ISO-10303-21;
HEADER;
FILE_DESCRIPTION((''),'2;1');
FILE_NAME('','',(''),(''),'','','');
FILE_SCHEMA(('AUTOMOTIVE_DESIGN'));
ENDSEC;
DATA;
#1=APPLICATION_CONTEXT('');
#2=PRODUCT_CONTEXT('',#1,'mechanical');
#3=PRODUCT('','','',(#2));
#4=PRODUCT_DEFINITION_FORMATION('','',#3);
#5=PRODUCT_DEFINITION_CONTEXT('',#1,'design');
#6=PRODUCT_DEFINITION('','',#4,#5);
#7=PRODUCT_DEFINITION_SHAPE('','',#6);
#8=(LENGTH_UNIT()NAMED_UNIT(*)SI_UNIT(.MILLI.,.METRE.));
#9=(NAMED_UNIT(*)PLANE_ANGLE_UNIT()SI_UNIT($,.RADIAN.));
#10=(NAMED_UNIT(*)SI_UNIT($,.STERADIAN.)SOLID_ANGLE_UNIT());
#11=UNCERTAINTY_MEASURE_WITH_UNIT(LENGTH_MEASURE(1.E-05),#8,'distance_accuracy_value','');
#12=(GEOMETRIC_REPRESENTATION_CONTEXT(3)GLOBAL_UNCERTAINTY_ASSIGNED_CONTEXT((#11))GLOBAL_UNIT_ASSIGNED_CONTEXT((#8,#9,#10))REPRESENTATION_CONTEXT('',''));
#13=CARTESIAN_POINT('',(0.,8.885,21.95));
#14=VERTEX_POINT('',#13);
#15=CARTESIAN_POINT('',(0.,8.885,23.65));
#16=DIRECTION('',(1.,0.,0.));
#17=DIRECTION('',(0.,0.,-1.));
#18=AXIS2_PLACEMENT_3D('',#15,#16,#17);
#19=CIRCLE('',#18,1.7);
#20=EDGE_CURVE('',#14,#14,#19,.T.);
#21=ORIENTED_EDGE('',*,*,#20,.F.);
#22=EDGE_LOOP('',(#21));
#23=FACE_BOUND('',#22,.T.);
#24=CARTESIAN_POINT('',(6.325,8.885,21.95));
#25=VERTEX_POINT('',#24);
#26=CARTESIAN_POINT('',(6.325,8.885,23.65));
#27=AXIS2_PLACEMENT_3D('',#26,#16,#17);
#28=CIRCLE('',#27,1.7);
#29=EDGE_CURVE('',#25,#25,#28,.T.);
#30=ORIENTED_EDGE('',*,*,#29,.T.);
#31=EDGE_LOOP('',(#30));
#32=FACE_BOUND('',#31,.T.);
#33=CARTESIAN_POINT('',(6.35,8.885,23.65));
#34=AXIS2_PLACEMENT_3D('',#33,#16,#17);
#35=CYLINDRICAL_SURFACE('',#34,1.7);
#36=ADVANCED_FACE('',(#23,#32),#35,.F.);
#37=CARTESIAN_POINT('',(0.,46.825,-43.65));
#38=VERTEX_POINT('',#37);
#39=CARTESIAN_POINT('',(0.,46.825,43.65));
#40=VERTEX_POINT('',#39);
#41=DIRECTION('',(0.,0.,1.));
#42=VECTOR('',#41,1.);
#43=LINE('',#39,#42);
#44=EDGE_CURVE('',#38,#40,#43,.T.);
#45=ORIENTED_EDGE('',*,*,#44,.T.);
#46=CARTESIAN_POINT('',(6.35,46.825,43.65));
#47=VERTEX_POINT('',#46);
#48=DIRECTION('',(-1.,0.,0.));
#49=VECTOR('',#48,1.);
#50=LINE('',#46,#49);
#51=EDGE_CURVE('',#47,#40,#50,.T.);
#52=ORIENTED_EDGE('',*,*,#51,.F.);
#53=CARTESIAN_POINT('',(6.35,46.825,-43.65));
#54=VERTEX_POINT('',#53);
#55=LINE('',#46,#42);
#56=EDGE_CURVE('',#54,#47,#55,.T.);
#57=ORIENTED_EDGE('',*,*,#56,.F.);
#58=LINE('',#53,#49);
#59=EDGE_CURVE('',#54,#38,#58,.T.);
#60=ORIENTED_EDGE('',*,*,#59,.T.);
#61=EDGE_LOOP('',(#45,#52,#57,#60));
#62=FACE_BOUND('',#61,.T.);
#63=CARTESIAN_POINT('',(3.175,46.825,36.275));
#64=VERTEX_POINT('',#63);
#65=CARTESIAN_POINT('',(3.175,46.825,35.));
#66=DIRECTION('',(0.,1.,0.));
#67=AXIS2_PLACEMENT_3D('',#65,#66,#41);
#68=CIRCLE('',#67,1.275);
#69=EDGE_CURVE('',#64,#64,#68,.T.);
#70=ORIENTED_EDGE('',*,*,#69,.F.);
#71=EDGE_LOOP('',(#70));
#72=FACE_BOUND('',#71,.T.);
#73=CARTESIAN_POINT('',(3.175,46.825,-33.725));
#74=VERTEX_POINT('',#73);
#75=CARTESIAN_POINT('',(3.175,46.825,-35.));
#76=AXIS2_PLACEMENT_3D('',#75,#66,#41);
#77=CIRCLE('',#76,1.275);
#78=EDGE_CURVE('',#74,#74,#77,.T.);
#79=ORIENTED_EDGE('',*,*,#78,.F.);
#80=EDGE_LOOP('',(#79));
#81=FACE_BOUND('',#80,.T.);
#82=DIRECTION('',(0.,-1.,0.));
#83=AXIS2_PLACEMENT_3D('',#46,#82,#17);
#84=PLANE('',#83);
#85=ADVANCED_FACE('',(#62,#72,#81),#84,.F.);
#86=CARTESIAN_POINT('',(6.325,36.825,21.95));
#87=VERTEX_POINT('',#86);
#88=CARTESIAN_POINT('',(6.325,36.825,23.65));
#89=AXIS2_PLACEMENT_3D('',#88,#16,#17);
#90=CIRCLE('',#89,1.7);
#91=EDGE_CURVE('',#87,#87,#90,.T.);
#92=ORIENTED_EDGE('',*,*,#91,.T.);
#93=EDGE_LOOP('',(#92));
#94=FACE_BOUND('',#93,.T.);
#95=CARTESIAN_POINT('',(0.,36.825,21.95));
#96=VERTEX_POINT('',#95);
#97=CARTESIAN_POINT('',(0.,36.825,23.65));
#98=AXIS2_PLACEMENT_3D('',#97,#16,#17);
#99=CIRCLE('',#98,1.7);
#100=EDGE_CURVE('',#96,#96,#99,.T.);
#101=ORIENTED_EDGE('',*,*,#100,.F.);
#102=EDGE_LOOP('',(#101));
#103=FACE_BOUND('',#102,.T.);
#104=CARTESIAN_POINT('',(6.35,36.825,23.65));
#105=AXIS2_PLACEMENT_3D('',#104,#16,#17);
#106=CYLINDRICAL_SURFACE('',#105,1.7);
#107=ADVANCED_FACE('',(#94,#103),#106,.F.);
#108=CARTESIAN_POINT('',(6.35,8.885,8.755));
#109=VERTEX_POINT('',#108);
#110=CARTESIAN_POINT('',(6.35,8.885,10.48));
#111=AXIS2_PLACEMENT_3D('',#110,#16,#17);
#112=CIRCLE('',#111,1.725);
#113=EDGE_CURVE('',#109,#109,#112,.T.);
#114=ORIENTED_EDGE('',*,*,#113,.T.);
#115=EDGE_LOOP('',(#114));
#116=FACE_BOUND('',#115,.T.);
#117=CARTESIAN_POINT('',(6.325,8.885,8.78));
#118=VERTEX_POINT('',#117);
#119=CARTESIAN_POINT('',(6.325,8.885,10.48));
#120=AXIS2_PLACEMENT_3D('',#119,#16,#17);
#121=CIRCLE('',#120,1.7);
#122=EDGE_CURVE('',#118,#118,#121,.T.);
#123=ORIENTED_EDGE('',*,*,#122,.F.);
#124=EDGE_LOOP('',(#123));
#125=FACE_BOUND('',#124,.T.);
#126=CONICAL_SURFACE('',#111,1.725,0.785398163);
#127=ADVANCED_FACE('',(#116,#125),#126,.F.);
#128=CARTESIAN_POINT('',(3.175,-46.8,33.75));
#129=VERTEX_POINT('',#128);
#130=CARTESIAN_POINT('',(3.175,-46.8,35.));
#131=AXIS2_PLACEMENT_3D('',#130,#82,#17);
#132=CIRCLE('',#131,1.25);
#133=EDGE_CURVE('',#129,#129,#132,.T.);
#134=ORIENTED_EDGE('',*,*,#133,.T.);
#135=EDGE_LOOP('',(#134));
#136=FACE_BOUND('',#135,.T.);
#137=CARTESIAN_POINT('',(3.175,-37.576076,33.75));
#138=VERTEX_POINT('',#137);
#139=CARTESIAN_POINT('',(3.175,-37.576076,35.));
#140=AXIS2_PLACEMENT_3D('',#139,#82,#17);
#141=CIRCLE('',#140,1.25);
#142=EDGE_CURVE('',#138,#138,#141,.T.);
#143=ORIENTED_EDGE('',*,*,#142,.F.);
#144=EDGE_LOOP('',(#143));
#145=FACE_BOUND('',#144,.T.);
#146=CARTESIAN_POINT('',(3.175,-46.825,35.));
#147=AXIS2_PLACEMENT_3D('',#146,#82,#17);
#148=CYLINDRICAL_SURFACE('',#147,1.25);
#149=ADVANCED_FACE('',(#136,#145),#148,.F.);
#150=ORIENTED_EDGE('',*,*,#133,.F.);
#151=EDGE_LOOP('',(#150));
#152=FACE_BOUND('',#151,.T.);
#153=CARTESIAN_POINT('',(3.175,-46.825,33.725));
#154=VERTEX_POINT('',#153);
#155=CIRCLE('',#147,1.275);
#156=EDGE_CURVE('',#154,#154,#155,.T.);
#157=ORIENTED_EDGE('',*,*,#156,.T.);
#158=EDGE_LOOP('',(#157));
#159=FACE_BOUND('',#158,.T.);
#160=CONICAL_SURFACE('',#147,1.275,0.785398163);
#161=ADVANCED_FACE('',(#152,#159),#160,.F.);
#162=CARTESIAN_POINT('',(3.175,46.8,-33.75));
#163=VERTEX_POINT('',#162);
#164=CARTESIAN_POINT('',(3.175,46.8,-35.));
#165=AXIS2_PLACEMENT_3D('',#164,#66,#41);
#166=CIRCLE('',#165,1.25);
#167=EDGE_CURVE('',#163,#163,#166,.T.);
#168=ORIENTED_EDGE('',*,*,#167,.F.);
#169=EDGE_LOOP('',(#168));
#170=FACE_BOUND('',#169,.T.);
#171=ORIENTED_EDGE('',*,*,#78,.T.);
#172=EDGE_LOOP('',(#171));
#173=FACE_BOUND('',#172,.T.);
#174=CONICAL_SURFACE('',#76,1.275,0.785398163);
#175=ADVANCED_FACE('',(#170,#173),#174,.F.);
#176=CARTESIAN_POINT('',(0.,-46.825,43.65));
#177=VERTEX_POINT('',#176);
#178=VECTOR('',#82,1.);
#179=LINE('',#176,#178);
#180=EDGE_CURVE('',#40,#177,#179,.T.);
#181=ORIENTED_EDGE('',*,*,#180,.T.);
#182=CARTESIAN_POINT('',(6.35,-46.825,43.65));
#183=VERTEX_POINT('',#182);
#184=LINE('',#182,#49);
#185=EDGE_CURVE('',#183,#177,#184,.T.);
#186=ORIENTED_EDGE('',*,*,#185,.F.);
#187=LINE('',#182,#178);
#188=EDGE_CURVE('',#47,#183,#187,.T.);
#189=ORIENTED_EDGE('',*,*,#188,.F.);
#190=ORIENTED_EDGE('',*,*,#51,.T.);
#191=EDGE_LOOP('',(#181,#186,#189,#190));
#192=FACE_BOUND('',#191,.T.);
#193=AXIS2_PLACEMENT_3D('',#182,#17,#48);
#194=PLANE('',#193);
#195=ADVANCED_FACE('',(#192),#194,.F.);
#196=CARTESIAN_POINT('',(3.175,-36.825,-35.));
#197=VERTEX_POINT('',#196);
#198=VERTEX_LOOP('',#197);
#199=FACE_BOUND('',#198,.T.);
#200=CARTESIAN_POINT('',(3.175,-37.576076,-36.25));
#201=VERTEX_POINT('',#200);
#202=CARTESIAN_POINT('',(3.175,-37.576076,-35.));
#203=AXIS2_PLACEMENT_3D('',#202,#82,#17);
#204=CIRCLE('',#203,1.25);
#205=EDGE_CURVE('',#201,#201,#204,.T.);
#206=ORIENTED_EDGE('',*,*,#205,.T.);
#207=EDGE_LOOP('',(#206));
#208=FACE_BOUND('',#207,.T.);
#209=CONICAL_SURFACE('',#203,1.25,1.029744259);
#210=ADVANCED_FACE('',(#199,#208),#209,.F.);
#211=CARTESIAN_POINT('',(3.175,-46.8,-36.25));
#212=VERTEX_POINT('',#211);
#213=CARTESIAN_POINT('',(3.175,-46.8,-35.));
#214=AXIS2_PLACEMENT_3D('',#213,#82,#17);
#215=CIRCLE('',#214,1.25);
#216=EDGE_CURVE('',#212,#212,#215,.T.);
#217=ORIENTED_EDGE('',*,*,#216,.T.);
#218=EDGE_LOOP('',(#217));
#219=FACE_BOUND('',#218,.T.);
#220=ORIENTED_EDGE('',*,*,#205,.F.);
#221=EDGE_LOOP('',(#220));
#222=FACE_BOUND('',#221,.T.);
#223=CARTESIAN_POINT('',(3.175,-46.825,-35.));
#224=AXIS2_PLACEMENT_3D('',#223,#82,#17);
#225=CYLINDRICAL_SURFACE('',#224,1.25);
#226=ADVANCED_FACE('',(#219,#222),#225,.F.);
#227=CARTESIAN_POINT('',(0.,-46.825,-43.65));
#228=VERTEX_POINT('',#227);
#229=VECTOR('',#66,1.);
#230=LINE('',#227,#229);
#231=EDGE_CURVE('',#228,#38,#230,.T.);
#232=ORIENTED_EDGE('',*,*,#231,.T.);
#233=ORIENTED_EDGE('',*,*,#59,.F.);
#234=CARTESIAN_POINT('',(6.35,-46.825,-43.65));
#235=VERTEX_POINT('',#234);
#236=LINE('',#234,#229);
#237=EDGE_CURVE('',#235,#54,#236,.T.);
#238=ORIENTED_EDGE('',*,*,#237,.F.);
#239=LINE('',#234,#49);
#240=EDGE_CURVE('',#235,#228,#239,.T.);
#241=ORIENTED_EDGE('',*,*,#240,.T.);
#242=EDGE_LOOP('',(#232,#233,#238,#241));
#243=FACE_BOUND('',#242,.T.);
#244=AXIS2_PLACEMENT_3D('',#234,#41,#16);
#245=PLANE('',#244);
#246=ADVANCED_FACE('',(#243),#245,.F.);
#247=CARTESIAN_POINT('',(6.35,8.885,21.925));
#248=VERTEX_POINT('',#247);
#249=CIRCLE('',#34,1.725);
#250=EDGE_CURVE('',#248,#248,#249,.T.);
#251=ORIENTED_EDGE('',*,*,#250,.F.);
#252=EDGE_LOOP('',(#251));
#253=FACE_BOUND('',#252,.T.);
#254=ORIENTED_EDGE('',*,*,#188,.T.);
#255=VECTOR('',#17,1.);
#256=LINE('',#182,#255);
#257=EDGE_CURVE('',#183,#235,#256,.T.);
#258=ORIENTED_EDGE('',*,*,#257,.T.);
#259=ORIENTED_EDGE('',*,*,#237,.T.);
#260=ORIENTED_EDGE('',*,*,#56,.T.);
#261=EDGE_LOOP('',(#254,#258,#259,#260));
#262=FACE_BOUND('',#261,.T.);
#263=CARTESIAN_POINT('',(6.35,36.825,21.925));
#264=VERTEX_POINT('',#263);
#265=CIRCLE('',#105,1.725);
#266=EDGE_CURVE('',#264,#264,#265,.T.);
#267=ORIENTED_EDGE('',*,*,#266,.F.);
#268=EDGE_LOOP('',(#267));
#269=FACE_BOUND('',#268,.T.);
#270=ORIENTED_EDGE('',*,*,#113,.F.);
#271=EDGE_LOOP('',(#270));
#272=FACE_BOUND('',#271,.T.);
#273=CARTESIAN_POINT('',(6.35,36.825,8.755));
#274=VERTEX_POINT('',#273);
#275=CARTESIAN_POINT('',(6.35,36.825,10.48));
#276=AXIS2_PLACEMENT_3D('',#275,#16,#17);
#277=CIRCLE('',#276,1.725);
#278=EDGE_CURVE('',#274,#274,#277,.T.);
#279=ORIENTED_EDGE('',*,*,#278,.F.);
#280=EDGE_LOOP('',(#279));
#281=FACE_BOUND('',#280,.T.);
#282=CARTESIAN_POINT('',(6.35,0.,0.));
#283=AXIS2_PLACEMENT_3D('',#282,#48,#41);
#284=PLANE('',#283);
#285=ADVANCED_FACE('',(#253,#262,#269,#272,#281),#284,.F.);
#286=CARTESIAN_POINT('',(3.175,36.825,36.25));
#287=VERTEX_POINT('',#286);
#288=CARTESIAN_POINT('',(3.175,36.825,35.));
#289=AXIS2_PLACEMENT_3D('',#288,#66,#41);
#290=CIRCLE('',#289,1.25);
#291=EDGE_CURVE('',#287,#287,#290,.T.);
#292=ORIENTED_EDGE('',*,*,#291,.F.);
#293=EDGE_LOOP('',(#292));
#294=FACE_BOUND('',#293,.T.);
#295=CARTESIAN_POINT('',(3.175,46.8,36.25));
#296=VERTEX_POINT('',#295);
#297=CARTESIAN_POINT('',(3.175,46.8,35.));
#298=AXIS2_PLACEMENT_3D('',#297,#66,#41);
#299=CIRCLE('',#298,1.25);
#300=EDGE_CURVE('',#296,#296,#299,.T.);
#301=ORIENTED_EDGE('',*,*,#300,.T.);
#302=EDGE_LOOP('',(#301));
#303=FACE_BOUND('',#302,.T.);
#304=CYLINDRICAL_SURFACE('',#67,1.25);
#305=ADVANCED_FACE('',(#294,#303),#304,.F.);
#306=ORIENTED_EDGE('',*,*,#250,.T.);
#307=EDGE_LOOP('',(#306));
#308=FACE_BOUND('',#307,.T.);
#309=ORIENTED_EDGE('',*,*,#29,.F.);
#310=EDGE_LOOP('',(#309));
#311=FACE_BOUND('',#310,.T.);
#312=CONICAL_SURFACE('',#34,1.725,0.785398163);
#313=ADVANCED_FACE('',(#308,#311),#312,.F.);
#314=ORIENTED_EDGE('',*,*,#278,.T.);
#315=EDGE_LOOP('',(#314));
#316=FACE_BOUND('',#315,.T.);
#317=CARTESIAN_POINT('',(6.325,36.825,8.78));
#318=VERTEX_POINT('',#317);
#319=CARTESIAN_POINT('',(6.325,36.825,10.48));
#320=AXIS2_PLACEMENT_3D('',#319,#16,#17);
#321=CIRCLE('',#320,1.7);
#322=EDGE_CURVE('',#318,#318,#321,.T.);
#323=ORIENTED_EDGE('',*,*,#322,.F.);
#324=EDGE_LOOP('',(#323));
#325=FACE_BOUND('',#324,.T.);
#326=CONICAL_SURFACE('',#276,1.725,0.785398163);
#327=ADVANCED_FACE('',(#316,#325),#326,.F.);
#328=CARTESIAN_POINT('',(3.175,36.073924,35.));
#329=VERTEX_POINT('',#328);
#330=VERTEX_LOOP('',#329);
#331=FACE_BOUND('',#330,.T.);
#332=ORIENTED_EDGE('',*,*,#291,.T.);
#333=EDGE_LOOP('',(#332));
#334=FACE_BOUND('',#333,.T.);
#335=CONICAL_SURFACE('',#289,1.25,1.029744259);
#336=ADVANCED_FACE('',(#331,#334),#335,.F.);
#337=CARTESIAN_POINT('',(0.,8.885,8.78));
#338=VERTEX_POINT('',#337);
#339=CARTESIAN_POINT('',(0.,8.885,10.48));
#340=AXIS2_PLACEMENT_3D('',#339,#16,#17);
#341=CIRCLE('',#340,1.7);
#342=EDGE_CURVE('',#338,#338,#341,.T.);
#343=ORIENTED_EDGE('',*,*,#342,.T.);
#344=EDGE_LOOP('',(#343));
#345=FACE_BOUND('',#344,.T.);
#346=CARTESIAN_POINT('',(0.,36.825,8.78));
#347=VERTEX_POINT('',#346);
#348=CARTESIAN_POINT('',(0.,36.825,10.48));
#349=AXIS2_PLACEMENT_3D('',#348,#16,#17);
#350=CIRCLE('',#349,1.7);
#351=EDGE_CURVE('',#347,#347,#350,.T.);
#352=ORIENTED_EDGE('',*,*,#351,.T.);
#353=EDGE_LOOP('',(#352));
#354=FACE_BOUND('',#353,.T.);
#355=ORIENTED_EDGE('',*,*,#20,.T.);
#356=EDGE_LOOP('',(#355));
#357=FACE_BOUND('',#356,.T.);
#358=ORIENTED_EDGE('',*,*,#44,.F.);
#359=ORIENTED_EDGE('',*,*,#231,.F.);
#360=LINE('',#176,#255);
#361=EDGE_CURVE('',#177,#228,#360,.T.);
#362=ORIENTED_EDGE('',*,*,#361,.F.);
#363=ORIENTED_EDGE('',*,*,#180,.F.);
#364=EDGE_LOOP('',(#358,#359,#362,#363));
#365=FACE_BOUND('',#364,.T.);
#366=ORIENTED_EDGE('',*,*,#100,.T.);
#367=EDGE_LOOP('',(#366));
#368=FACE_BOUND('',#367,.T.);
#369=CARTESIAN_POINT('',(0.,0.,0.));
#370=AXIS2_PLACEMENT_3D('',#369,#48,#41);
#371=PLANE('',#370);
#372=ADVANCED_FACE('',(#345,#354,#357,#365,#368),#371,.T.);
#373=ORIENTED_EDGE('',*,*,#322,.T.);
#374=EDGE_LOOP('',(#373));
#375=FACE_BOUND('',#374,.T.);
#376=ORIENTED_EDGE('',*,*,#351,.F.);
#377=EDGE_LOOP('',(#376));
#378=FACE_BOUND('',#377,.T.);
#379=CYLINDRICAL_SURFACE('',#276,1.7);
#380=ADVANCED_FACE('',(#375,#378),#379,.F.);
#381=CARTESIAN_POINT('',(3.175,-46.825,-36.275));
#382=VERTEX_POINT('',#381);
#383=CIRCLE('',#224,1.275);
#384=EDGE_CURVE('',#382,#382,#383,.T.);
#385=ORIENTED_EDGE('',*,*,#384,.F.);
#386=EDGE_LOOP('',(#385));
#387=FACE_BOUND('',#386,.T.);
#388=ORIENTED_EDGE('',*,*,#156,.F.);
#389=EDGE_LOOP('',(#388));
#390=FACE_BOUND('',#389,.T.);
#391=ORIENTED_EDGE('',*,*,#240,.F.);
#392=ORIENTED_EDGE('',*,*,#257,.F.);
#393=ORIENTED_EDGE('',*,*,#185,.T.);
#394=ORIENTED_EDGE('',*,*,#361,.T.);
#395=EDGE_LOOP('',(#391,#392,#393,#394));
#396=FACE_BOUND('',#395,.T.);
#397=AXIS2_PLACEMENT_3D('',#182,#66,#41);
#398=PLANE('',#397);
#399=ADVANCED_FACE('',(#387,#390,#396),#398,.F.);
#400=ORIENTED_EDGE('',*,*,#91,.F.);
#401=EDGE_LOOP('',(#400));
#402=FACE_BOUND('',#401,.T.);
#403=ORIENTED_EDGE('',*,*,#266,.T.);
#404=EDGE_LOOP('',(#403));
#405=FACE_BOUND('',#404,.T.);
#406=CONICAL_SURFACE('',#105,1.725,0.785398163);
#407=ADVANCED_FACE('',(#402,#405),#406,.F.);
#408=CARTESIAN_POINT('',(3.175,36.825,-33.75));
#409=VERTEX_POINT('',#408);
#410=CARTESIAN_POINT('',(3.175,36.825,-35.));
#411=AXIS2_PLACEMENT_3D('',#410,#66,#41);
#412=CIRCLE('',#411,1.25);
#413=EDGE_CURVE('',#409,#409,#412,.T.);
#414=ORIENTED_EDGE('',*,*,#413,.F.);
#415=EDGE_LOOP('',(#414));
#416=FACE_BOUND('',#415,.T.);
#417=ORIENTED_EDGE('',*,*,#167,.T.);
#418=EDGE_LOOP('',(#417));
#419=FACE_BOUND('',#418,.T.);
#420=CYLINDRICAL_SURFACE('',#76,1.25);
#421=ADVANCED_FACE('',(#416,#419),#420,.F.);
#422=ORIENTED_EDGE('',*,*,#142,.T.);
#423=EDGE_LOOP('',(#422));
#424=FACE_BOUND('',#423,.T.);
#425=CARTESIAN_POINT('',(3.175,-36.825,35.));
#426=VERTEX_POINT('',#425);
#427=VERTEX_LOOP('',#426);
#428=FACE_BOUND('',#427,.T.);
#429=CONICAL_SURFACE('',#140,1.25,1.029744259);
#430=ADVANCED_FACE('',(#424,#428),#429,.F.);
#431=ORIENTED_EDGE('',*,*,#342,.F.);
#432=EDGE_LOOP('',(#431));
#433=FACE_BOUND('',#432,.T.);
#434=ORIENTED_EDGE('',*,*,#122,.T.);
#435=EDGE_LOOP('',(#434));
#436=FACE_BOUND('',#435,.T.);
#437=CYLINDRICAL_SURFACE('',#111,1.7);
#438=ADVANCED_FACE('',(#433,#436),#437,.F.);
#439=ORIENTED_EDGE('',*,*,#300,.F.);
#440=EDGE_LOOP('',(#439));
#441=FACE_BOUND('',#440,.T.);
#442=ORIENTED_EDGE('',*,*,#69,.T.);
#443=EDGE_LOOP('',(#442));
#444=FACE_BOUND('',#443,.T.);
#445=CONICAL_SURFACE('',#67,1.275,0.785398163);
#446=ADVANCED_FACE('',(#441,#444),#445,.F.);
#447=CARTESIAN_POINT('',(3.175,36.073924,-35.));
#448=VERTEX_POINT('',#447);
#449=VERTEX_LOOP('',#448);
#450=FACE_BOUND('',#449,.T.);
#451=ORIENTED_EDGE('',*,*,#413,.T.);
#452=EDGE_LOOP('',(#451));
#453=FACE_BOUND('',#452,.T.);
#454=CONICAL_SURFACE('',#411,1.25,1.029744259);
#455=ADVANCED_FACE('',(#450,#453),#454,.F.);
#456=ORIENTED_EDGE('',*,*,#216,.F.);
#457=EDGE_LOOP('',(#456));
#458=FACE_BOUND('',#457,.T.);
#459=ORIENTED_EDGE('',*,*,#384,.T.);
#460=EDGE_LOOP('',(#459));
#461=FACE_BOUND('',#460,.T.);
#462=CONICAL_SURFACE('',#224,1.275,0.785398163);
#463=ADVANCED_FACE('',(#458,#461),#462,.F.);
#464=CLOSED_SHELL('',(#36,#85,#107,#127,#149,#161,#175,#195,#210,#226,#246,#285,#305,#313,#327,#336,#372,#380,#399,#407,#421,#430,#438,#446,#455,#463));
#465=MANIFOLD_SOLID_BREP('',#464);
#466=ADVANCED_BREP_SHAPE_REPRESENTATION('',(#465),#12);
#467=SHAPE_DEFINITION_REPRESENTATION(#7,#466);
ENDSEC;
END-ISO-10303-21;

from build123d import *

# Parameters (mm, degrees)
SKETCH1_W                             = 87.3
SKETCH1_H                             = 93.65
BOSS_EXTRUDE1_DEPTH                   = 6.35
TAP_DRILL_FOR_M3X0_5_TAP1_D           = 2.5
TAP_DRILL_FOR_M3X0_5_TAP1_DEPTH       = 10
TAP_DRILL_FOR_M3X0_5_TAP1_CSINK_D     = 2.55
TAP_DRILL_FOR_M3X0_5_TAP1_CSINK_ANGLE = 90
TAP_DRILL_FOR_M3X0_5_TAP1_TIP         = 0.751075774
TAP_DRILL_FOR_M3X0_5_TAP2_D           = 2.5
TAP_DRILL_FOR_M3X0_5_TAP2_DEPTH       = 9.248924226
TAP_DRILL_FOR_M3X0_5_TAP2_CSINK_D     = 2.55
TAP_DRILL_FOR_M3X0_5_TAP2_CSINK_ANGLE = 90
TAP_DRILL_FOR_M3X0_5_TAP2_TIP         = 0.751075774
M3_CLEARANCE_HOLE2_D                  = 3.4
M3_CLEARANCE_HOLE2_CSINK_D            = 3.45
M3_CLEARANCE_HOLE2_CSINK_ANGLE        = 90


with BuildPart() as part:
    # Sketch1 → Boss-Extrude1 (new body)
    with BuildSketch(Plane(origin=(0, 0, 0), x_dir=(0, 0, -1), z_dir=(1, 0, 0))):
        Rectangle(SKETCH1_W, SKETCH1_H)
    extrude(amount=BOSS_EXTRUDE1_DEPTH)

    # Tap Drill for M3x0.5 Tap1
    with Locations(Plane(origin=(0, 46.825, 0), x_dir=(1, 0, 0), z_dir=(0, 1, 0))):
        with Locations((3.175, 35), (3.175, -35)):
            CounterSinkHole(TAP_DRILL_FOR_M3X0_5_TAP1_D / 2, TAP_DRILL_FOR_M3X0_5_TAP1_CSINK_D / 2, depth=TAP_DRILL_FOR_M3X0_5_TAP1_DEPTH, counter_sink_angle=TAP_DRILL_FOR_M3X0_5_TAP1_CSINK_ANGLE)
            with Locations((0, 0, -(TAP_DRILL_FOR_M3X0_5_TAP1_DEPTH + TAP_DRILL_FOR_M3X0_5_TAP1_TIP / 2))):  # 118° drill point
                Cone(0, TAP_DRILL_FOR_M3X0_5_TAP1_D / 2, TAP_DRILL_FOR_M3X0_5_TAP1_TIP, mode=Mode.SUBTRACT)

    # Tap Drill for M3x0.5 Tap2
    with Locations(Plane(origin=(0, -46.825, 0), x_dir=(-1, 0, 0), z_dir=(0, -1, 0))):
        with Locations((-3.175, -35), (-3.175, 35)):
            CounterSinkHole(TAP_DRILL_FOR_M3X0_5_TAP2_D / 2, TAP_DRILL_FOR_M3X0_5_TAP2_CSINK_D / 2, depth=TAP_DRILL_FOR_M3X0_5_TAP2_DEPTH, counter_sink_angle=TAP_DRILL_FOR_M3X0_5_TAP2_CSINK_ANGLE)
            with Locations((0, 0, -(TAP_DRILL_FOR_M3X0_5_TAP2_DEPTH + TAP_DRILL_FOR_M3X0_5_TAP2_TIP / 2))):  # 118° drill point
                Cone(0, TAP_DRILL_FOR_M3X0_5_TAP2_D / 2, TAP_DRILL_FOR_M3X0_5_TAP2_TIP, mode=Mode.SUBTRACT)

    # M3 Clearance Hole2 (through all)
    with Locations(Plane(origin=(6.35, 0, 0), x_dir=(0, 0, -1), z_dir=(1, 0, 0))):
        with Locations((-23.65, 36.825), (-10.48, 36.825), (-10.48, 8.885), (-23.65, 8.885)):
            CounterSinkHole(M3_CLEARANCE_HOLE2_D / 2, M3_CLEARANCE_HOLE2_CSINK_D / 2, counter_sink_angle=M3_CLEARANCE_HOLE2_CSINK_ANGLE)


solid = part.part
